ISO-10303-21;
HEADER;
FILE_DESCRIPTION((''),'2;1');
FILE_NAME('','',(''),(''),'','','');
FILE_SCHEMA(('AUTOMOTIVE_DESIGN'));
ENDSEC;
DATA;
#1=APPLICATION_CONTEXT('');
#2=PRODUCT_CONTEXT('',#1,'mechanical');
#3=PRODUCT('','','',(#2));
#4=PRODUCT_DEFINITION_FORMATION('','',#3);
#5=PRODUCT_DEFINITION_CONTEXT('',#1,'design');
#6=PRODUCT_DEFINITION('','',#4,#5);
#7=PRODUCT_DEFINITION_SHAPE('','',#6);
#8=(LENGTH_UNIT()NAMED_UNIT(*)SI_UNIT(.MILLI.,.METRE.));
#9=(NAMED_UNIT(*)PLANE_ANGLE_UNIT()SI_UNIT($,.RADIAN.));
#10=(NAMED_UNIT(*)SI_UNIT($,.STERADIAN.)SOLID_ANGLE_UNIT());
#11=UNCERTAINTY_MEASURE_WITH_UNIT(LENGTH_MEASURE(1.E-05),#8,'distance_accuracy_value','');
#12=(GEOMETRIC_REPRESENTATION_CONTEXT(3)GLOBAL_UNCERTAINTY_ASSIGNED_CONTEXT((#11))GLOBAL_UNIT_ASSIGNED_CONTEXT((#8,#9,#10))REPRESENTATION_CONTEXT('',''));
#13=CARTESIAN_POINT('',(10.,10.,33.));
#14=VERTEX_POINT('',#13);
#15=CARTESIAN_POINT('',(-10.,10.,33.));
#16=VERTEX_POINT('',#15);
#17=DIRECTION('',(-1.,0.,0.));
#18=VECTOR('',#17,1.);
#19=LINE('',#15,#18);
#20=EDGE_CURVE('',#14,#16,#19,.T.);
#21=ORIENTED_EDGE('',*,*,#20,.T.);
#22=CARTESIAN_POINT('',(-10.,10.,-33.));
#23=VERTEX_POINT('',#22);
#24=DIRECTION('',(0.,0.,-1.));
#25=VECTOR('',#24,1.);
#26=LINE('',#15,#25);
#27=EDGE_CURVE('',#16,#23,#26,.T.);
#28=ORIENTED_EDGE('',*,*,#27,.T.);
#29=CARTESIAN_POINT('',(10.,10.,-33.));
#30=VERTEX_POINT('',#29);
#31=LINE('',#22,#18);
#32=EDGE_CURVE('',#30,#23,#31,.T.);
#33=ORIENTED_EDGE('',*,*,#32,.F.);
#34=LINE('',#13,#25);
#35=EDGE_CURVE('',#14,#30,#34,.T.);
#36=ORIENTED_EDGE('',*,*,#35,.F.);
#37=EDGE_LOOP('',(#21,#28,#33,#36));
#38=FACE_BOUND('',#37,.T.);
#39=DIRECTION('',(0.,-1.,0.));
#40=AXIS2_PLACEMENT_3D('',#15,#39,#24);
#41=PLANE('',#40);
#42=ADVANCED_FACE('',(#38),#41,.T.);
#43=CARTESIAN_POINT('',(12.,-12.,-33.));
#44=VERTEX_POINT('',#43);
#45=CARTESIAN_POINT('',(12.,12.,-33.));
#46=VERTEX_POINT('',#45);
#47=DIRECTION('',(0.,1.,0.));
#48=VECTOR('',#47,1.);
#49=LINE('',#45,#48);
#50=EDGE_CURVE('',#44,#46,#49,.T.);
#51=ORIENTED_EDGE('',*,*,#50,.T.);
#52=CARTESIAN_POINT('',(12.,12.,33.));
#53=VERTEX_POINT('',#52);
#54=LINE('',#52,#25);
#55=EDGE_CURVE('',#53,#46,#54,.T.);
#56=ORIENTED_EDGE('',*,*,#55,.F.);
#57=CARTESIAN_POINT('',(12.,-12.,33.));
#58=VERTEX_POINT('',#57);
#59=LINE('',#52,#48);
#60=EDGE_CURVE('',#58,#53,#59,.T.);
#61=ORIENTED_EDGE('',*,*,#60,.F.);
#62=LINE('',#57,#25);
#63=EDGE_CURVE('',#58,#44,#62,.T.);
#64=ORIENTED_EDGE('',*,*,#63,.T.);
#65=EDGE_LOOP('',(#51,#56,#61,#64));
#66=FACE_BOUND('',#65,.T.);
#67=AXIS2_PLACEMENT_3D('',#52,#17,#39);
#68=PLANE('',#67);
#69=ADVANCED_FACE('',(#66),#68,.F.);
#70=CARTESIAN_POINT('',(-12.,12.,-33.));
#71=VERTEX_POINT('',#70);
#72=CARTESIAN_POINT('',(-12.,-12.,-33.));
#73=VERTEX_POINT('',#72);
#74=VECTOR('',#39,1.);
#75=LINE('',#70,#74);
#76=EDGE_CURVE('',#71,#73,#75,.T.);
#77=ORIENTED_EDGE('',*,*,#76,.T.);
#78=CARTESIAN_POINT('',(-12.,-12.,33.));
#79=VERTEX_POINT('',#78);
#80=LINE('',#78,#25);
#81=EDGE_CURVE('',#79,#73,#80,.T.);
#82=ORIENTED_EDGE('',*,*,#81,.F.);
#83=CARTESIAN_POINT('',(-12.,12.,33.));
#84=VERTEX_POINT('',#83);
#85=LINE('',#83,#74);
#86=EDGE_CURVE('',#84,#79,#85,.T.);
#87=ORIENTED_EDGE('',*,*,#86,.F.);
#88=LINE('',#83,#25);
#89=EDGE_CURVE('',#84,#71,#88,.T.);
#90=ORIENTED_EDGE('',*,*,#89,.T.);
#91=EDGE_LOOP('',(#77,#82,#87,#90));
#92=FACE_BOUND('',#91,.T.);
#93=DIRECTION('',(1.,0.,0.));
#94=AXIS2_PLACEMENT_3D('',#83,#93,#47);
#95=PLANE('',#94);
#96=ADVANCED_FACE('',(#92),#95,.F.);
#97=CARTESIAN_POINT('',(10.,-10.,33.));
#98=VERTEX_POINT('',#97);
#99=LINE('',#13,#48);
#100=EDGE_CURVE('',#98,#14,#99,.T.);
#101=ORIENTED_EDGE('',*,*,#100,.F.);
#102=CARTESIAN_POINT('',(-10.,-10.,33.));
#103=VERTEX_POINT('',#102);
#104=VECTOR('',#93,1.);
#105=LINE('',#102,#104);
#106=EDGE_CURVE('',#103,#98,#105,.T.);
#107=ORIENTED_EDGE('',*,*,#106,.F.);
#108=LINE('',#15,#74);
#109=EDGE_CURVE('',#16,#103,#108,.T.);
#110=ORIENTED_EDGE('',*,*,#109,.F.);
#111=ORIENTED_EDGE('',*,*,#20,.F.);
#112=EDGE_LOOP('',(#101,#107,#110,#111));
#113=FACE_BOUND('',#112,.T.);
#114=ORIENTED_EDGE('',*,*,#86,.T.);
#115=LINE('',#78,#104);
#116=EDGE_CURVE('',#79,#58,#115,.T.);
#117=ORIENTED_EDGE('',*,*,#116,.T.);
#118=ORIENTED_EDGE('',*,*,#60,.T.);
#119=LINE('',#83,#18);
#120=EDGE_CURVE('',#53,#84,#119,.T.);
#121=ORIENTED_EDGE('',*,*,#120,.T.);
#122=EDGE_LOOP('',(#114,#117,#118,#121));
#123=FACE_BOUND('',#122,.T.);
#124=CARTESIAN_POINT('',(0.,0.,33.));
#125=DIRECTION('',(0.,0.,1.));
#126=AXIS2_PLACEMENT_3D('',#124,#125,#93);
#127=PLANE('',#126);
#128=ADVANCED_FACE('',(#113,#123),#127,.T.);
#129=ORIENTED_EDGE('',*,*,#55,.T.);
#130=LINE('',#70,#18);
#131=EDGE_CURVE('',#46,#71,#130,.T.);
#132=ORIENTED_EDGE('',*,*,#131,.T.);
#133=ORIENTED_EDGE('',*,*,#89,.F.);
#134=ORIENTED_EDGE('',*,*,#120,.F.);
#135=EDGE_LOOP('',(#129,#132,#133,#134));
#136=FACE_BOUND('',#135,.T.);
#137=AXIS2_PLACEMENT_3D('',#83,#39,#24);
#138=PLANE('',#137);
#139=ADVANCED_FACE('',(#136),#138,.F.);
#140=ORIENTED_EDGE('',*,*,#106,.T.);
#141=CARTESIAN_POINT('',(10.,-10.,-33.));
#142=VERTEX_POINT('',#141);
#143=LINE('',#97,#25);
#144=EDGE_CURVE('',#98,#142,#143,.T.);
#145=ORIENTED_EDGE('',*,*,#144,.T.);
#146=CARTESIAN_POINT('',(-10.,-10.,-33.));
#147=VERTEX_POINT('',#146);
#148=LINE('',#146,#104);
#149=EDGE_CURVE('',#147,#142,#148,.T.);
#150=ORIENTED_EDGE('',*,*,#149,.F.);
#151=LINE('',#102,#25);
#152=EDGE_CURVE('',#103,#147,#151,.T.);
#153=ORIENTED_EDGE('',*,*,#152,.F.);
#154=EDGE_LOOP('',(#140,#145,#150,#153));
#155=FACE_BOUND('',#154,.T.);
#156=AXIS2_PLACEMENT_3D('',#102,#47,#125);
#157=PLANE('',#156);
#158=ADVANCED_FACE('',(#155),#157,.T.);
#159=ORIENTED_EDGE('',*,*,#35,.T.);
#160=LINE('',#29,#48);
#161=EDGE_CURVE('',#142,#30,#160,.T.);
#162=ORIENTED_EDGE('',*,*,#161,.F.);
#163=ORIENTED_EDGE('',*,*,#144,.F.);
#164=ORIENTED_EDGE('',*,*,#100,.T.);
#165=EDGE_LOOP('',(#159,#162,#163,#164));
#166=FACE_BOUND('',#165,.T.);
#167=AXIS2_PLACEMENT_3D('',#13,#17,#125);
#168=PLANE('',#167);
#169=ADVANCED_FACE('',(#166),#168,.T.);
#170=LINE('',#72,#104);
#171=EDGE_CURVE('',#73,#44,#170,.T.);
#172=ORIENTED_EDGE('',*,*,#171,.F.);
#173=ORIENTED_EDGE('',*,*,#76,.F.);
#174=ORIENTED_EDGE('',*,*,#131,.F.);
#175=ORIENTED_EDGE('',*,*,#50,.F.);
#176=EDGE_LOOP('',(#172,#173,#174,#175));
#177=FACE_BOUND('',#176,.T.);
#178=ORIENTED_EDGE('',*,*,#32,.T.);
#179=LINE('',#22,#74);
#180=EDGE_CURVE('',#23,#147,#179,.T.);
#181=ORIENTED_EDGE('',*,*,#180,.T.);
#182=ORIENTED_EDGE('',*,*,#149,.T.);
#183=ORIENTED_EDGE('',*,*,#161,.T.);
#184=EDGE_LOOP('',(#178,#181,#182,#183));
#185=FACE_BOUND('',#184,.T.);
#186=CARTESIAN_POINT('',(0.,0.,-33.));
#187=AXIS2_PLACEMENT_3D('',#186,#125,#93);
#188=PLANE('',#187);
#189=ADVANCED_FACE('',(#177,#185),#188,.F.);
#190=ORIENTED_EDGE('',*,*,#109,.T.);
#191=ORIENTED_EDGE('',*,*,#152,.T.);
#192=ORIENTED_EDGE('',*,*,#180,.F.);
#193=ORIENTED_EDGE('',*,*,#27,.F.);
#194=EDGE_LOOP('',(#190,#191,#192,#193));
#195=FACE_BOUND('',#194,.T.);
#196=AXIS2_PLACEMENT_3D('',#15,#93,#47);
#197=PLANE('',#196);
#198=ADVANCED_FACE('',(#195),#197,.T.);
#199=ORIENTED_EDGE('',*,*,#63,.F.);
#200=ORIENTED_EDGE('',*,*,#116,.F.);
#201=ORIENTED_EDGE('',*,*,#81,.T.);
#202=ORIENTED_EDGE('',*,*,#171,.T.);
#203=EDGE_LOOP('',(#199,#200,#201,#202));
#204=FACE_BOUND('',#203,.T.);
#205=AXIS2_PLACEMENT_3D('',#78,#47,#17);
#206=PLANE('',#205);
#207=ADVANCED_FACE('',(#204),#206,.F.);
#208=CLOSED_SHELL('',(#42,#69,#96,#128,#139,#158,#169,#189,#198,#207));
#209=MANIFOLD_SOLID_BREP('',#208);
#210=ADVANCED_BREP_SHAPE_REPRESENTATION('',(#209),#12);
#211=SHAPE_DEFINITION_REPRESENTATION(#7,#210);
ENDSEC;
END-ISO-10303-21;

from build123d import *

# Parameters (mm, degrees)
SKETCH_1_W      = 24
SKETCH_1_H      = 24
SKETCH_1_W_2    = 20
SKETCH_1_H_2    = 20
EXTRUDE_1_DEPTH = 33


with BuildPart() as part:
    # 草图1 → 凸台-拉伸1 (new, symmetric)
    with BuildSketch(Plane.XY):
        Rectangle(SKETCH_1_W, SKETCH_1_H)
        Rectangle(SKETCH_1_W_2, SKETCH_1_H_2, mode=Mode.SUBTRACT)
    extrude(amount=EXTRUDE_1_DEPTH, both=True)


solid = part.part
